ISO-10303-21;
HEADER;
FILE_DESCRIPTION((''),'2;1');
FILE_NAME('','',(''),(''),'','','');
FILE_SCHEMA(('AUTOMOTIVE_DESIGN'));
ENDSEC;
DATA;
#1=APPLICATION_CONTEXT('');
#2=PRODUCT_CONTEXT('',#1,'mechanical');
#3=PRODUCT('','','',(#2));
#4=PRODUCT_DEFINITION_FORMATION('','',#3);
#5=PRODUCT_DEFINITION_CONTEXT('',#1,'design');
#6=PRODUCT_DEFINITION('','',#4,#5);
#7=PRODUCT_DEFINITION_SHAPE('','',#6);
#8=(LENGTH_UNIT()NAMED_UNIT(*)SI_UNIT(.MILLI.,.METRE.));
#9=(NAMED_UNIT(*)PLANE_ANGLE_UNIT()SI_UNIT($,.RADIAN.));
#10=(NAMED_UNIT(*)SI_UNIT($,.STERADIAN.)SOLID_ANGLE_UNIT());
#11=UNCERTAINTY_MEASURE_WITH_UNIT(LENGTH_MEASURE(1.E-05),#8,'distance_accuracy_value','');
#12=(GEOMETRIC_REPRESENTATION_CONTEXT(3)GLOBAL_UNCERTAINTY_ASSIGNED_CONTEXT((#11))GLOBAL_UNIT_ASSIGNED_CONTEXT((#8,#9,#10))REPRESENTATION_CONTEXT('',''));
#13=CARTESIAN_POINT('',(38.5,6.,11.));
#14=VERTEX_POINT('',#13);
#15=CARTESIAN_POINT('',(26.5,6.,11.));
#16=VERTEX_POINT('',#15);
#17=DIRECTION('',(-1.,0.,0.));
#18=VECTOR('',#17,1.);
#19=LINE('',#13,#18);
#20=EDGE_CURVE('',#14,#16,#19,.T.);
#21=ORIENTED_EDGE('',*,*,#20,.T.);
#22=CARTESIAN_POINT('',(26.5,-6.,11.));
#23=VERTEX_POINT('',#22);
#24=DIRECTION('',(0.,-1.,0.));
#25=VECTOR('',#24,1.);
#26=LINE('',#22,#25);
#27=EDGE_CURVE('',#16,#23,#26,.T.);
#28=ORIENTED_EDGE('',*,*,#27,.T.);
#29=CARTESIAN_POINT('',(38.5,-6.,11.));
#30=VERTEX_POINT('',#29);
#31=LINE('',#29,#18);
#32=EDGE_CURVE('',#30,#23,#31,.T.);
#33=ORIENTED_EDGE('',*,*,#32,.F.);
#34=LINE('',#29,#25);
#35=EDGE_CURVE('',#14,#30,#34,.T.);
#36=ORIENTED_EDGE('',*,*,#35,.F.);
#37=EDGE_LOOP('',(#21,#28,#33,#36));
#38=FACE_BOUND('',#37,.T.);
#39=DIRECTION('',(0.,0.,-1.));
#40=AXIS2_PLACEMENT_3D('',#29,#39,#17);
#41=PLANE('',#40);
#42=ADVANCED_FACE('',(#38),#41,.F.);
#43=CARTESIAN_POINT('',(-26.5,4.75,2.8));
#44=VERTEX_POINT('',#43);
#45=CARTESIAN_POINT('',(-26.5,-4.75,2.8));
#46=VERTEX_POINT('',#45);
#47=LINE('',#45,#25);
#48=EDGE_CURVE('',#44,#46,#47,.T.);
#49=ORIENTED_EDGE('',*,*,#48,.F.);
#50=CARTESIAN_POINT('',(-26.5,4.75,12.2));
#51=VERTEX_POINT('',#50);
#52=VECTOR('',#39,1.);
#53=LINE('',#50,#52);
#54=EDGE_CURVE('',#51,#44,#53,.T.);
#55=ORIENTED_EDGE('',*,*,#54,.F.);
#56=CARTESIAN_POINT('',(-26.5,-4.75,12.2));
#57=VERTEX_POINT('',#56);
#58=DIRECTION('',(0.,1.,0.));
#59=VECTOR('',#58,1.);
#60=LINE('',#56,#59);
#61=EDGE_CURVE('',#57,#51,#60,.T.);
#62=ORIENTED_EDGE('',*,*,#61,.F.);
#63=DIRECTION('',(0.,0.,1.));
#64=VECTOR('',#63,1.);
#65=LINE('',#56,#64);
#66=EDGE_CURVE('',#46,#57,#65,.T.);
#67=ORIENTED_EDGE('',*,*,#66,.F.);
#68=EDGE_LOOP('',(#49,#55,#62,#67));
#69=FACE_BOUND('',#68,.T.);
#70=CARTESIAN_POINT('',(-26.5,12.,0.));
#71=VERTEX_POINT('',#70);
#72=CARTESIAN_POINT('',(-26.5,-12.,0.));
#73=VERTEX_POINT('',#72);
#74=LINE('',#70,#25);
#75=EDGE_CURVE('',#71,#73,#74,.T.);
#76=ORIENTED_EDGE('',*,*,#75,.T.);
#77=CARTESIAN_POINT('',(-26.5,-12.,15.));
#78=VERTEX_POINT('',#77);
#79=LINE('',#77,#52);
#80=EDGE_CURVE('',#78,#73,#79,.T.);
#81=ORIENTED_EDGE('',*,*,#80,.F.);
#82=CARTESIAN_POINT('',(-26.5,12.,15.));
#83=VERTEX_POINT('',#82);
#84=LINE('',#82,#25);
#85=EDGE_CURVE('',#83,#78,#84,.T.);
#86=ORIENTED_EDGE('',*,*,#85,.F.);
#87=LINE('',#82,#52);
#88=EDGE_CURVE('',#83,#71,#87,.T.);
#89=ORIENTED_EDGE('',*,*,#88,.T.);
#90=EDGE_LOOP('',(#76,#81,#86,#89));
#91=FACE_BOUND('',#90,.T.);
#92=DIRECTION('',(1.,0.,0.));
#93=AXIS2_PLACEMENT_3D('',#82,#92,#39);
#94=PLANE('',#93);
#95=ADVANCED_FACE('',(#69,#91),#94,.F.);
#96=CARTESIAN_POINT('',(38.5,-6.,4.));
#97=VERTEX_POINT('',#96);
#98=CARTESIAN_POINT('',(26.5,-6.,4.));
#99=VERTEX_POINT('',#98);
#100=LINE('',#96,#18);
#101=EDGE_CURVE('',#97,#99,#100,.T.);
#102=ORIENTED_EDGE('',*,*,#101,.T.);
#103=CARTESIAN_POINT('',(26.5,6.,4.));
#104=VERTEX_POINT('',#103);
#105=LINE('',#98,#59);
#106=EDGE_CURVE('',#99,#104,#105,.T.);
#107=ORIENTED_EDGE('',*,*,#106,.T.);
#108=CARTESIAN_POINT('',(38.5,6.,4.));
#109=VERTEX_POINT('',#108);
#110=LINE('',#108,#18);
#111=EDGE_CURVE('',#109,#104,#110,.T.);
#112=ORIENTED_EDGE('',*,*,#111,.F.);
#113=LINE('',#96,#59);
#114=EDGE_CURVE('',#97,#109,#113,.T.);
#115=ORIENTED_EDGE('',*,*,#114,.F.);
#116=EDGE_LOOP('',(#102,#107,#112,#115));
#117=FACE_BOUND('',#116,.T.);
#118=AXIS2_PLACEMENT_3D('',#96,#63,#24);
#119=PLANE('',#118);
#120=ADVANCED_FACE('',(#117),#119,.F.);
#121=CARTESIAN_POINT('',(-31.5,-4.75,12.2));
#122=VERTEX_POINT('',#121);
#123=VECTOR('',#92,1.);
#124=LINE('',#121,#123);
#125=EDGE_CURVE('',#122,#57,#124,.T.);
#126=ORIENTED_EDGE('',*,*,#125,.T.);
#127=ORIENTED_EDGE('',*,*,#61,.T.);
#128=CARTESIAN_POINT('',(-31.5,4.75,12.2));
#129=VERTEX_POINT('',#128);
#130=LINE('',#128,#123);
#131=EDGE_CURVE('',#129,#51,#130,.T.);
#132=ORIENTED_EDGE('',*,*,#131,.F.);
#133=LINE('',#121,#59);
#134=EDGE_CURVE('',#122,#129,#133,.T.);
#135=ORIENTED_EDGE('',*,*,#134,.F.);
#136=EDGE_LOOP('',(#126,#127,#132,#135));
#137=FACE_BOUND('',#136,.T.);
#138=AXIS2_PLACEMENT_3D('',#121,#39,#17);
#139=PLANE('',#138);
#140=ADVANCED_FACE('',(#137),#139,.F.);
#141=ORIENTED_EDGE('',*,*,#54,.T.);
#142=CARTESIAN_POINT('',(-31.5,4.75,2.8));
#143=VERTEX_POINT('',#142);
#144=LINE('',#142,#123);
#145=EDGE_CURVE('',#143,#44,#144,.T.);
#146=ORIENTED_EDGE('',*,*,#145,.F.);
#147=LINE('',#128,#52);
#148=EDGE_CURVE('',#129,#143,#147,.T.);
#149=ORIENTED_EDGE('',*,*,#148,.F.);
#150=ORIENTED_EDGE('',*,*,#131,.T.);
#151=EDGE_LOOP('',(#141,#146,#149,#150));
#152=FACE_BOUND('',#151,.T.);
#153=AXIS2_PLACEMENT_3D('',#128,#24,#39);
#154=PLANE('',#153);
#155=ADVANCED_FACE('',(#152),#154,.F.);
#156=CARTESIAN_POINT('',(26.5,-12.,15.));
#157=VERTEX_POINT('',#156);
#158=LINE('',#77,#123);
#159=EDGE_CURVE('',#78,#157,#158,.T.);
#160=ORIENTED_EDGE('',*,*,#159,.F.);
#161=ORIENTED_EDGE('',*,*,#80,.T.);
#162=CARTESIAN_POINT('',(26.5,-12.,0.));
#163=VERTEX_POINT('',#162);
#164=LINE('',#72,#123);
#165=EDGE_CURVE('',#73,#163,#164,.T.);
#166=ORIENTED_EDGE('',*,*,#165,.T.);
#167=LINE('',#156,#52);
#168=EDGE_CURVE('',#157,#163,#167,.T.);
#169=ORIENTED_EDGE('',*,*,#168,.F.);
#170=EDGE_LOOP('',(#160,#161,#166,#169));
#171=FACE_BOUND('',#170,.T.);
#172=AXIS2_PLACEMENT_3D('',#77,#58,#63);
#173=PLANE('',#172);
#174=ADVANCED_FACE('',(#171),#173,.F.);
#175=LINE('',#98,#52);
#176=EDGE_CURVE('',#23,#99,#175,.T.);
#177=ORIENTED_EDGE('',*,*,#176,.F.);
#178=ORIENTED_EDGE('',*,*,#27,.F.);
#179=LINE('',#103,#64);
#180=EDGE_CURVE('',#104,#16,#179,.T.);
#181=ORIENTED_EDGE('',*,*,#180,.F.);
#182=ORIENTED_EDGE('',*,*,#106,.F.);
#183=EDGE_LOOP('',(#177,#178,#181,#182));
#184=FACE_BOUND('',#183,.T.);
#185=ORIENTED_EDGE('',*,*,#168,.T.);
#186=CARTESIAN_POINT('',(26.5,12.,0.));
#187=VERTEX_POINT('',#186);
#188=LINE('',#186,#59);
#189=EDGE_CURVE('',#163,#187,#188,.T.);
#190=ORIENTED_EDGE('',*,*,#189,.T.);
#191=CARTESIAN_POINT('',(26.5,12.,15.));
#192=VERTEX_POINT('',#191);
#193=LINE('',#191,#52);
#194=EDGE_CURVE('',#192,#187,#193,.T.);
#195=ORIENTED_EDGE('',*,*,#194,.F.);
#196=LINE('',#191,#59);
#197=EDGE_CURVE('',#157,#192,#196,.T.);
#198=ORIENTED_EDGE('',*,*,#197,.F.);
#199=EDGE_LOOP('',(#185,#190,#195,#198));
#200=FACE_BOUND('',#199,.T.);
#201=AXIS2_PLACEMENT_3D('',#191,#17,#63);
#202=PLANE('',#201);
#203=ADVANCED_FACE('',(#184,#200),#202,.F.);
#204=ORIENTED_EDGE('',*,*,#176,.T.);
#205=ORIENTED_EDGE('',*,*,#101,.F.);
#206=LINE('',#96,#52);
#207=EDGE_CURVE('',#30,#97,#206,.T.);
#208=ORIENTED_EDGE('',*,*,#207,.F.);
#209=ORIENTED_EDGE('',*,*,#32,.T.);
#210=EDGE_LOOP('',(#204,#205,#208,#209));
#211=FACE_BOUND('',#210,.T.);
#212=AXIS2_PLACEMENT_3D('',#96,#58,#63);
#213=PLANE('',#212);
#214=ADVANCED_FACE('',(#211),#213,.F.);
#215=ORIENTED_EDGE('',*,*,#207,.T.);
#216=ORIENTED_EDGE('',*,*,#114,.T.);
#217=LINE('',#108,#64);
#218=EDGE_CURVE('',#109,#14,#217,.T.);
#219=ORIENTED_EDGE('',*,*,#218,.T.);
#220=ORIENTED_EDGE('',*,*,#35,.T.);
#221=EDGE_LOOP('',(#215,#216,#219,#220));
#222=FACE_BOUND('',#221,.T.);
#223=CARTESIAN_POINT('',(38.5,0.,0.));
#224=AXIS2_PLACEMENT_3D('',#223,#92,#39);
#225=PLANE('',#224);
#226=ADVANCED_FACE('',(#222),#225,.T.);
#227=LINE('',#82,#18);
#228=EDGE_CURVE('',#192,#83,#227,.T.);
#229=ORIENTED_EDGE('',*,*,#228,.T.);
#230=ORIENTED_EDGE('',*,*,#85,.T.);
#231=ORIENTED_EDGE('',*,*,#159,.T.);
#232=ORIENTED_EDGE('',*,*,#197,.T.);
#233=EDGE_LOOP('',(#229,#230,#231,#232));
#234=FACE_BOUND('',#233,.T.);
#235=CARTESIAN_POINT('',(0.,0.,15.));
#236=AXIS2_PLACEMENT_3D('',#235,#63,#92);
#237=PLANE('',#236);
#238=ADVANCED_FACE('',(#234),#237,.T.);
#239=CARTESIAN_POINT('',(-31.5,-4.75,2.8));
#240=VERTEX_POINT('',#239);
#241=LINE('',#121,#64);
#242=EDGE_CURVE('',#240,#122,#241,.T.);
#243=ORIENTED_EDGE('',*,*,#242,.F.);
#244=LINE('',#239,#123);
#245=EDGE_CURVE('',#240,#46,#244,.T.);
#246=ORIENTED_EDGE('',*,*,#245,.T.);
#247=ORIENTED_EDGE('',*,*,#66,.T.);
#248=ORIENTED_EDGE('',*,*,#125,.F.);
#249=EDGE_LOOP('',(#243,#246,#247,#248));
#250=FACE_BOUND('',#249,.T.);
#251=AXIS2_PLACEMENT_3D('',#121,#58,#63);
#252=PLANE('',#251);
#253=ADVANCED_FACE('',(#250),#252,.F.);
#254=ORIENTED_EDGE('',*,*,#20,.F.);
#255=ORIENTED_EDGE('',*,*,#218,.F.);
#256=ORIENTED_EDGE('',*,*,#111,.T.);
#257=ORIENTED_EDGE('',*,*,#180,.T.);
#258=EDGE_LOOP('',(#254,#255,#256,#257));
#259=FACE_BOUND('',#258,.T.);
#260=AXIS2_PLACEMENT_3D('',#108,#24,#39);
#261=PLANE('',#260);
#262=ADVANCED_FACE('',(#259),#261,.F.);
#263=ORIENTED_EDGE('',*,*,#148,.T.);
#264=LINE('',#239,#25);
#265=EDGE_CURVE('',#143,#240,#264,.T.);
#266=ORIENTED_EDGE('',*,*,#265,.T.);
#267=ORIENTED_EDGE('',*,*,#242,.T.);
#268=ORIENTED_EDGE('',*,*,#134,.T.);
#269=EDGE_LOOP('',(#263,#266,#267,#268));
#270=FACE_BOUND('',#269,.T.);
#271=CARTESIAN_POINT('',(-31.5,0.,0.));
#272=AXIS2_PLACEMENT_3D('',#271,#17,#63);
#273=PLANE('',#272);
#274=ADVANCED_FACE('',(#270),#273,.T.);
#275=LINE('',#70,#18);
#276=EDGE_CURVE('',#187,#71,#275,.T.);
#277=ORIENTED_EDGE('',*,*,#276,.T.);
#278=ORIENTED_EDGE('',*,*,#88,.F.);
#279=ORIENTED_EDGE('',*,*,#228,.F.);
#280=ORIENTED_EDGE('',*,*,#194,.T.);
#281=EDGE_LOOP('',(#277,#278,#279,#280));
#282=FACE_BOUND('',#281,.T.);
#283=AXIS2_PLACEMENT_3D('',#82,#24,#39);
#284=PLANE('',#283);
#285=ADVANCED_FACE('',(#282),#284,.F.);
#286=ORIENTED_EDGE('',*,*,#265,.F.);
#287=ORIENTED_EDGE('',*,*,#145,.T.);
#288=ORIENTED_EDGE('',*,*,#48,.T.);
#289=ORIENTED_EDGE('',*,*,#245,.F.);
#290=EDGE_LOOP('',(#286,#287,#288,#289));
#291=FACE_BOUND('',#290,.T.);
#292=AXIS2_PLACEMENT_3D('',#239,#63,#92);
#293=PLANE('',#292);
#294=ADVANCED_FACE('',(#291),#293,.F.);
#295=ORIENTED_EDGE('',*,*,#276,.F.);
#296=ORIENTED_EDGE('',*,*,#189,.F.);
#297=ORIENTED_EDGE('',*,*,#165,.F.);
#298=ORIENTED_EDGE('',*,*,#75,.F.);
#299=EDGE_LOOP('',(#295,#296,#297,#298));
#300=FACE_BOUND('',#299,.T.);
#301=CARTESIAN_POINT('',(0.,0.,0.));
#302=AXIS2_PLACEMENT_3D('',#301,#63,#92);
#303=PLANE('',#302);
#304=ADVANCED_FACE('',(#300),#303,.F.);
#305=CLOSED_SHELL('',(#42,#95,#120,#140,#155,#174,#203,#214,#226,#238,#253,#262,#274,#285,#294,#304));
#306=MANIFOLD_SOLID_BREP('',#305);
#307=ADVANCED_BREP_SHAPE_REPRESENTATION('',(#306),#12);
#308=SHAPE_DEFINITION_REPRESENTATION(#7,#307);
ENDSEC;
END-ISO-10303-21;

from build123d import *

# Parameters (mm, degrees)
SKETCH_1_W      = 53
SKETCH_1_H      = 24
EXTRUDE_1_DEPTH = 15
SKETCH_2_W      = 7
SKETCH_2_H      = 12
EXTRUDE_2_DEPTH = 12
SKETCH_3_W      = 9.4
SKETCH_3_H      = 9.5
EXTRUDE_3_DEPTH = 5


with BuildPart() as part:
    # 草图1 → 凸台-拉伸1 (new body)
    with BuildSketch(Plane.XY):
        Rectangle(SKETCH_1_W, SKETCH_1_H)
    extrude(amount=EXTRUDE_1_DEPTH)

    # 草图2 → 凸台-拉伸2 (add)
    with BuildSketch(Plane(origin=(26.5, 0, 0), x_dir=(0, 0, -1), z_dir=(1, 0, 0))):
        with Locations((-7.5, 0)):
            Rectangle(SKETCH_2_W, SKETCH_2_H)
    extrude(amount=EXTRUDE_2_DEPTH)

    # 草图3 → 凸台-拉伸3 (add)
    with BuildSketch(Plane.ZY.offset(26.5)):
        with Locations((7.5, 0)):
            Rectangle(SKETCH_3_W, SKETCH_3_H)
    extrude(amount=EXTRUDE_3_DEPTH)


solid = part.part
